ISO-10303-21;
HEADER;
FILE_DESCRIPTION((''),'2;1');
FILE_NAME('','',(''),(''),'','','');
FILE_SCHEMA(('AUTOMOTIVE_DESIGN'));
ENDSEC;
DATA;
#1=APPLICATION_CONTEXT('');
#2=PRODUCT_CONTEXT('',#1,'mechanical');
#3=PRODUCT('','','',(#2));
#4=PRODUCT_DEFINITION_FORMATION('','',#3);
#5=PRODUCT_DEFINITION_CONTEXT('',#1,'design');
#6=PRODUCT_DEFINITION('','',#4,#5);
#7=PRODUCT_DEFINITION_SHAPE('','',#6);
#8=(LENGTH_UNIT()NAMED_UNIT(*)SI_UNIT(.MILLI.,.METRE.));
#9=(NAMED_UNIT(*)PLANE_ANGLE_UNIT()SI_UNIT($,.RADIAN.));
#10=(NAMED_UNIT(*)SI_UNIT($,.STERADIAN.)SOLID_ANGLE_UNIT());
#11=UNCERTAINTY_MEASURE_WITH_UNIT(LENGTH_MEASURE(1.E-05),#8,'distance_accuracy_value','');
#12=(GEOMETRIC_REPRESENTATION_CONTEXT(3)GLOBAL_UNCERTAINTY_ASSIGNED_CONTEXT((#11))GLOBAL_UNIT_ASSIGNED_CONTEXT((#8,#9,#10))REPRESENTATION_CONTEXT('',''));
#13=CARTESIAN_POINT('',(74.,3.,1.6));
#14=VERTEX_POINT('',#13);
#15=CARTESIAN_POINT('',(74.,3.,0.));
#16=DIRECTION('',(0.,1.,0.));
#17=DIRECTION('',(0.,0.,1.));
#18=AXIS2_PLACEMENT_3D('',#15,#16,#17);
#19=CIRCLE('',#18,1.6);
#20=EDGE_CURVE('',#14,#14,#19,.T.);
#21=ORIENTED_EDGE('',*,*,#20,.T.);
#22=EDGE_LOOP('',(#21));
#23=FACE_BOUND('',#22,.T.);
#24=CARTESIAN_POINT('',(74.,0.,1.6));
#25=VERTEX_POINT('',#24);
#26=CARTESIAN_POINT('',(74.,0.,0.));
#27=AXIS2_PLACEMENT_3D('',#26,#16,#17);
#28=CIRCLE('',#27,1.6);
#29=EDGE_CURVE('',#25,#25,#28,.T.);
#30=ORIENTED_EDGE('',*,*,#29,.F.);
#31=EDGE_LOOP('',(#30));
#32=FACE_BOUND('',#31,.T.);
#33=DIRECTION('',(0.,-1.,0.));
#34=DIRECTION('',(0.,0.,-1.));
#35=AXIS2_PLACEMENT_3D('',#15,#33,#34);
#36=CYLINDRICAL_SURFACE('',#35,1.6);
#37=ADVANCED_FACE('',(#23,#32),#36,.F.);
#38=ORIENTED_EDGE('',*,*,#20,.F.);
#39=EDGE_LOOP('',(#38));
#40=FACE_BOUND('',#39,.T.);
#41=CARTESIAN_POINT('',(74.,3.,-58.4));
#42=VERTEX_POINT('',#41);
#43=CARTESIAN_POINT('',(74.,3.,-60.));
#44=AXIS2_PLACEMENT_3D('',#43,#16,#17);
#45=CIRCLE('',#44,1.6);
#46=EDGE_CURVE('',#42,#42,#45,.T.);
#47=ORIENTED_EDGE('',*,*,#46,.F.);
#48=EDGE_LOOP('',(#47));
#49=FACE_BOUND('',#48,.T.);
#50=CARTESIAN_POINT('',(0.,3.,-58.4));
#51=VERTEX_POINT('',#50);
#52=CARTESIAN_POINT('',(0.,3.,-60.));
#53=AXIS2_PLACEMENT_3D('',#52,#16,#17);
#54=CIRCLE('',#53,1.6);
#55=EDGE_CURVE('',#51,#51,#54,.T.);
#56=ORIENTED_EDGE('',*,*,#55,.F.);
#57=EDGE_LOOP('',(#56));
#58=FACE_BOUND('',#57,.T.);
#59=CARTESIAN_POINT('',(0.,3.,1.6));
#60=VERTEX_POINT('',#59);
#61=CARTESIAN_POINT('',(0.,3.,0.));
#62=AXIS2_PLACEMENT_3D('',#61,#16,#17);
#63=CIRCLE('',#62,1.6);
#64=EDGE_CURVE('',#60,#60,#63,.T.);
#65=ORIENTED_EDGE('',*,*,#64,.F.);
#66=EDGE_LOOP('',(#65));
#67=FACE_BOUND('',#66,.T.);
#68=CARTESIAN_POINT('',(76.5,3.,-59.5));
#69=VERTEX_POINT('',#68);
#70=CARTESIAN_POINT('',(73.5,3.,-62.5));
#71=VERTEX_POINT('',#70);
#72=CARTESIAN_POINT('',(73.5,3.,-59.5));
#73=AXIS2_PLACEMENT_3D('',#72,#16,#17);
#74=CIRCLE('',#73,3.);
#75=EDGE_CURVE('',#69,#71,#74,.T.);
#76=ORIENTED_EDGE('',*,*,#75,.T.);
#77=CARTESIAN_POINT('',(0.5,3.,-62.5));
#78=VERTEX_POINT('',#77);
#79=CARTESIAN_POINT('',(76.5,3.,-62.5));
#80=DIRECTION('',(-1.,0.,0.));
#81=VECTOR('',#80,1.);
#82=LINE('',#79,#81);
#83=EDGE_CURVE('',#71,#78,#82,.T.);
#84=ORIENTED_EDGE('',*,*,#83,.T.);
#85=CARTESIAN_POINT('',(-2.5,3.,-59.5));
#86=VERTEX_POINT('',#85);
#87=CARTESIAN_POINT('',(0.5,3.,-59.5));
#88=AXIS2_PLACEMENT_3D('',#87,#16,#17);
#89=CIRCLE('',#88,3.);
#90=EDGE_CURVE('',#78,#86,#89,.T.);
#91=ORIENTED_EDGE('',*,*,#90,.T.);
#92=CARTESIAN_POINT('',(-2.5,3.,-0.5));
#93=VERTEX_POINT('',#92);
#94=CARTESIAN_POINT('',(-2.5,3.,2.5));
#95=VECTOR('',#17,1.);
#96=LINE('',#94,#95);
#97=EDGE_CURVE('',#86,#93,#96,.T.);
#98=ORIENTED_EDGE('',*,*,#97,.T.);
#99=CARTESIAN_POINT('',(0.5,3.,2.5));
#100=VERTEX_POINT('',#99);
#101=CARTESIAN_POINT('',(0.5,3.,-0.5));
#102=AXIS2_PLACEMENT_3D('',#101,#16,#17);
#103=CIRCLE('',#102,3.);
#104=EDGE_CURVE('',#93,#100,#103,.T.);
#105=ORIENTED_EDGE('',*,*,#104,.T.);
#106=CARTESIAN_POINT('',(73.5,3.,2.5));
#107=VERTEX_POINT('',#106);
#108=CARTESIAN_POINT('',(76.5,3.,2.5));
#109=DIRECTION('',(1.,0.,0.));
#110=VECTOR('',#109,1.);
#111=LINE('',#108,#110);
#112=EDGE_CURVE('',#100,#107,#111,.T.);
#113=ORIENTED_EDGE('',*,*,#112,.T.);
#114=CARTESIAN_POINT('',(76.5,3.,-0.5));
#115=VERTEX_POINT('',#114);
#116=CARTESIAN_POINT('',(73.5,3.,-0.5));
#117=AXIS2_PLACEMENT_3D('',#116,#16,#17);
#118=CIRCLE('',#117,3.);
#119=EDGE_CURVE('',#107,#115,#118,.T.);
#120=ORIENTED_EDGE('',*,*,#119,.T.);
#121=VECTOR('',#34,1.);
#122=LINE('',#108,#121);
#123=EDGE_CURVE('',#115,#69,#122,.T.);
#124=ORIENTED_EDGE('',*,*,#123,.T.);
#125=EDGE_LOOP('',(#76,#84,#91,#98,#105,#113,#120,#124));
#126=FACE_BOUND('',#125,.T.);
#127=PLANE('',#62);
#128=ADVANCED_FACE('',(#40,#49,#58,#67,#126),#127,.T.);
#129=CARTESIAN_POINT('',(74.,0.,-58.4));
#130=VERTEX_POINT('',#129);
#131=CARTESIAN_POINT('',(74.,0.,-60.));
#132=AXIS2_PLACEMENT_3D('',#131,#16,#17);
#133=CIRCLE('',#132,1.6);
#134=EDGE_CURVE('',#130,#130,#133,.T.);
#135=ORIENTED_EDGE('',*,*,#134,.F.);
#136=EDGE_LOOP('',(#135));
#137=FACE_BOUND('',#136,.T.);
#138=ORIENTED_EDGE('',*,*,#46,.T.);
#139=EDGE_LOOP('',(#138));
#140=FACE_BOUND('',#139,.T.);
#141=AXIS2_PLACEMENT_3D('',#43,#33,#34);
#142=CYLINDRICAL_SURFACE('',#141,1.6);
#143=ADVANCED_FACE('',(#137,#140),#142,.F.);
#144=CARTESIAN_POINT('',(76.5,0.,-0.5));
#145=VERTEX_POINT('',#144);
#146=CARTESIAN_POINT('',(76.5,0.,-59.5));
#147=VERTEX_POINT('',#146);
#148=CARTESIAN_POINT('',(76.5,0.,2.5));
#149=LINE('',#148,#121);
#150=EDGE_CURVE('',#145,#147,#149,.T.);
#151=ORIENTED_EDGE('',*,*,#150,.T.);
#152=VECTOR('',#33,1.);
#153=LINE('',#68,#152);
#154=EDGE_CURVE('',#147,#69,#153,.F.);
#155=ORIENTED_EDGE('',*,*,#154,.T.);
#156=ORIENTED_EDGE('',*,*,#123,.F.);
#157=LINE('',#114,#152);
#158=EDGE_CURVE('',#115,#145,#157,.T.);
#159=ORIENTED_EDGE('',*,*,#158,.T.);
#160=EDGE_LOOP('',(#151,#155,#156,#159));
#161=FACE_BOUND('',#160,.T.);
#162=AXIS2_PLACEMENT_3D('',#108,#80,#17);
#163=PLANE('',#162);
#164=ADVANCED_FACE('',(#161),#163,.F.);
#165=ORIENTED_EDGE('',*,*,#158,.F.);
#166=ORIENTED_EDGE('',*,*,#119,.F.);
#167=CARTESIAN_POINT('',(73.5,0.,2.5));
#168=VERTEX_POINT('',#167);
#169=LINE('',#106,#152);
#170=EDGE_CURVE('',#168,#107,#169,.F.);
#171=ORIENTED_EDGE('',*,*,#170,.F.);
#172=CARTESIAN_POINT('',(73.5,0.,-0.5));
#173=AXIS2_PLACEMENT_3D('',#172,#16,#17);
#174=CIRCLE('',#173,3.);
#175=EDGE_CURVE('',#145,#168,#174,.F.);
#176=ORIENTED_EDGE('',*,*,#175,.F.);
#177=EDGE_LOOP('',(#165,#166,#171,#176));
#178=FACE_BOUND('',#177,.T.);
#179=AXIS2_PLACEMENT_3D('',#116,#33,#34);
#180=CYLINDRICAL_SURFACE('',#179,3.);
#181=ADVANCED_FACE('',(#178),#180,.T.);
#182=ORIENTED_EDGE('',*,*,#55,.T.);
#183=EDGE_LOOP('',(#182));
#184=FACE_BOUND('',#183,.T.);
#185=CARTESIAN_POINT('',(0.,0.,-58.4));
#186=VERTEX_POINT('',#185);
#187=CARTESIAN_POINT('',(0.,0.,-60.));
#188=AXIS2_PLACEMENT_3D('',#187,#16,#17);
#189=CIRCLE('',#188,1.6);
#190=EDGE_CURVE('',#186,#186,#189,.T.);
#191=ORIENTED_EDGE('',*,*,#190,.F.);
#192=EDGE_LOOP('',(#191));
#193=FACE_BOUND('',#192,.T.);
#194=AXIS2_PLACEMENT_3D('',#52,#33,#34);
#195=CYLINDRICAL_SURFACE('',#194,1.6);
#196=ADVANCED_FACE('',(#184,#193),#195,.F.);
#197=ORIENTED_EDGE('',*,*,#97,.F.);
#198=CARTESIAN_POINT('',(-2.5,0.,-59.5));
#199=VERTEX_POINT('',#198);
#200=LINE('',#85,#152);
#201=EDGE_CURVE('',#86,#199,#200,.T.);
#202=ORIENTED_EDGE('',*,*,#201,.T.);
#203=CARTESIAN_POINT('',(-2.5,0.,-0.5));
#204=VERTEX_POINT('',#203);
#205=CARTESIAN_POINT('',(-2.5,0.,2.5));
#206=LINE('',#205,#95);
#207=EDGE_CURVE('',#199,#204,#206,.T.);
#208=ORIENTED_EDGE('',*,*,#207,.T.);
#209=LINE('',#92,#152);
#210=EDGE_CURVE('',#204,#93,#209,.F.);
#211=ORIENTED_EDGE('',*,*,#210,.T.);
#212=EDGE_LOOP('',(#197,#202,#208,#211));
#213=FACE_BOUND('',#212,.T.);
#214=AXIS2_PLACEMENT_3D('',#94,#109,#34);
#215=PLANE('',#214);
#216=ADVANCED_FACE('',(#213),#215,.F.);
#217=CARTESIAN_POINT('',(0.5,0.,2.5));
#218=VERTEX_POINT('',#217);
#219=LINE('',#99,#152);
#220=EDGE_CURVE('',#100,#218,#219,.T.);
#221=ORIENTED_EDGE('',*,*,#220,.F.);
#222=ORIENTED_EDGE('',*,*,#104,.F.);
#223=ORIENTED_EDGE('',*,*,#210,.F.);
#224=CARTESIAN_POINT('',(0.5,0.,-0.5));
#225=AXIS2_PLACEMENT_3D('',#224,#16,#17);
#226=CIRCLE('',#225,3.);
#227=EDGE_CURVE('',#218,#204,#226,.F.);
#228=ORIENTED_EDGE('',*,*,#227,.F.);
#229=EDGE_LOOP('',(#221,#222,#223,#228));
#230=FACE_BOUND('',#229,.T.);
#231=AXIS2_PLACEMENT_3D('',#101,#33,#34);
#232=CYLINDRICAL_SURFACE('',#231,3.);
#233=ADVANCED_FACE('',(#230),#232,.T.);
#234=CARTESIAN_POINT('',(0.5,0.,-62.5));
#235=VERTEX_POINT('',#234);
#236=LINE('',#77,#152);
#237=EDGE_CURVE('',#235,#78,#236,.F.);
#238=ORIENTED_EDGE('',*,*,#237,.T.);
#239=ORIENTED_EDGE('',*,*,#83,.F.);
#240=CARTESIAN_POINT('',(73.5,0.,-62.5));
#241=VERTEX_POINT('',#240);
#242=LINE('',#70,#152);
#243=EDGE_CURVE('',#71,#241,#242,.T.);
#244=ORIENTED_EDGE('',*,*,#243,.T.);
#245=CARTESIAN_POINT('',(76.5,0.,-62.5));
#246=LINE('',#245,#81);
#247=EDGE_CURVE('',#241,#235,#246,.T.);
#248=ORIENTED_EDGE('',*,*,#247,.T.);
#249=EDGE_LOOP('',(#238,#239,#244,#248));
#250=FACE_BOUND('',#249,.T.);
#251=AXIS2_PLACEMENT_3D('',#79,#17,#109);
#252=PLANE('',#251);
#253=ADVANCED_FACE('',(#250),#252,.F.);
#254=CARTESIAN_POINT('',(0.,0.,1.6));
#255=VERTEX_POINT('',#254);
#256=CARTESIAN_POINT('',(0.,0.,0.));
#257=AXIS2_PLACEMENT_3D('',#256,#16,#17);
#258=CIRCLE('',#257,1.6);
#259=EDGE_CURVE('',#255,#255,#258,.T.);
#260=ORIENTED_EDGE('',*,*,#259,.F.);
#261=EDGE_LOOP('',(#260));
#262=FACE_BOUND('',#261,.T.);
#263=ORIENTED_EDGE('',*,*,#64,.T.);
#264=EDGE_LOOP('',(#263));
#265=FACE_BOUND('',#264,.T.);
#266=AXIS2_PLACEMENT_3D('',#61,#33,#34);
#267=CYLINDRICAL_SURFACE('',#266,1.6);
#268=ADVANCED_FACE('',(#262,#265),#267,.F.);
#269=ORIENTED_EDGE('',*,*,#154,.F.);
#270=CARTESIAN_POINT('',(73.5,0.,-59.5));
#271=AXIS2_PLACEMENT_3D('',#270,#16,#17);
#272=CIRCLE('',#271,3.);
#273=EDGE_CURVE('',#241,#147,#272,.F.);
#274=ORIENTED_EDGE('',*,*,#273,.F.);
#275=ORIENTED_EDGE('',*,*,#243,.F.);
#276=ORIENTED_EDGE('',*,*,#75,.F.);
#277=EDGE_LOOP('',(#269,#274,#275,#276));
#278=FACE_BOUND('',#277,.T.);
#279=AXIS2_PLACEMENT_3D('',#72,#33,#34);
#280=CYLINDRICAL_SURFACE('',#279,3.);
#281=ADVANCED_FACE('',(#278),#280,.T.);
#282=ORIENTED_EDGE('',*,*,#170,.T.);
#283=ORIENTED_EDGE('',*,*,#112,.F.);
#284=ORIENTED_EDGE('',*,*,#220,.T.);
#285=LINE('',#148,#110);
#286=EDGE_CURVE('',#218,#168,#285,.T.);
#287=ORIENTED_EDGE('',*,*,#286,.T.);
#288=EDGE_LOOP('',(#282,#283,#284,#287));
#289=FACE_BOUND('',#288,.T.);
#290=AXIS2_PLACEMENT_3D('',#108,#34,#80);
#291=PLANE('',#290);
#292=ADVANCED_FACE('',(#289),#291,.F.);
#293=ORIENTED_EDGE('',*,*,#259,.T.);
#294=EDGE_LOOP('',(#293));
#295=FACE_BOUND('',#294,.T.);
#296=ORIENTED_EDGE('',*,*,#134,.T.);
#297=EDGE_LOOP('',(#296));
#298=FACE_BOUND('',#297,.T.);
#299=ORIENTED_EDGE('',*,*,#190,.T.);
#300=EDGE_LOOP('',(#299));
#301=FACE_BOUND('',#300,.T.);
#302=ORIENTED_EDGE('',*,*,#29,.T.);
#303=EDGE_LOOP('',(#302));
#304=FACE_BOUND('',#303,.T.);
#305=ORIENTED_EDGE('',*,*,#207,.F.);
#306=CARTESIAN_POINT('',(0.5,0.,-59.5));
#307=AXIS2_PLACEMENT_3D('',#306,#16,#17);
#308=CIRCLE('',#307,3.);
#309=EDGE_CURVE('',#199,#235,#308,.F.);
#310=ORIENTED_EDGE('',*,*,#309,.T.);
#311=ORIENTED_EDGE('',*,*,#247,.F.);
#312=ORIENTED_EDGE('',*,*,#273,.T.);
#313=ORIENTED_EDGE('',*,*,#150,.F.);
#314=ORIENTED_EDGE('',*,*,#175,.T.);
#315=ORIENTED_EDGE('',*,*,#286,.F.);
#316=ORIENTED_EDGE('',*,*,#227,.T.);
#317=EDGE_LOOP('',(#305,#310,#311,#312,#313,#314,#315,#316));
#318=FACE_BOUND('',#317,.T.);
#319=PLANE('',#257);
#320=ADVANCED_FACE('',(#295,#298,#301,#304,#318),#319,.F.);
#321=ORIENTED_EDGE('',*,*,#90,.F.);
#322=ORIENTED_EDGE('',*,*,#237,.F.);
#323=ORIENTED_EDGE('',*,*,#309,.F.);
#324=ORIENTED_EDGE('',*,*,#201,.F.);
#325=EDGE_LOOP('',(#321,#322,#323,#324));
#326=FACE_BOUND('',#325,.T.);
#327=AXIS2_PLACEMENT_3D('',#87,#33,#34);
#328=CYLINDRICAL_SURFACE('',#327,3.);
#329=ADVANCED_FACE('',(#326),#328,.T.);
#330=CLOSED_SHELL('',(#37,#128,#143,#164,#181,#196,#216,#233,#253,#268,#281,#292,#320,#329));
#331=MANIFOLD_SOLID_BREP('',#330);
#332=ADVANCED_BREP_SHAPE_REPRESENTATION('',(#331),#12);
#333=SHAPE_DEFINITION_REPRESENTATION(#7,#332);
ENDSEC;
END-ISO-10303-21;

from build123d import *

# Parameters (mm, degrees)
SKETCH_2_W      = 79
SKETCH_2_H      = 65
SKETCH_2_R      = 1.6
EXTRUDE_2_DEPTH = 3
FILLET_1_R      = 3


with BuildPart() as part:
    # 草图2 → 凸台-拉伸2 (new body)
    with BuildSketch(Plane(origin=(0, 0, 0), x_dir=(1, 0, 0), z_dir=(0, 1, 0))):
        with Locations((37, 30)):
            Rectangle(SKETCH_2_W, SKETCH_2_H)
        with Locations(Location((0, 60, 0), (0, 0, 270))):
            Circle(SKETCH_2_R, mode=Mode.SUBTRACT)
        with Locations(Location((74, 60, 0), (0, 0, 270))):
            Circle(SKETCH_2_R, mode=Mode.SUBTRACT)
        with Locations(Location((74, 0, 0), (0, 0, 270))):
            Circle(SKETCH_2_R, mode=Mode.SUBTRACT)
        with Locations(Location((0, 0, 0), (0, 0, 270))):
            Circle(SKETCH_2_R, mode=Mode.SUBTRACT)
    extrude(amount=EXTRUDE_2_DEPTH)

    # 圆角1
    fillet_1_edges = [part.edges().sort_by_distance(p)[0] for p in [
        (-2.5, 1.5, -62.5),
        (76.5, 1.5, -62.5),
        (76.5, 1.5, 2.5),
        (-2.5, 1.5, 2.5),
    ]]
    fillet(fillet_1_edges, radius=FILLET_1_R)


solid = part.part
